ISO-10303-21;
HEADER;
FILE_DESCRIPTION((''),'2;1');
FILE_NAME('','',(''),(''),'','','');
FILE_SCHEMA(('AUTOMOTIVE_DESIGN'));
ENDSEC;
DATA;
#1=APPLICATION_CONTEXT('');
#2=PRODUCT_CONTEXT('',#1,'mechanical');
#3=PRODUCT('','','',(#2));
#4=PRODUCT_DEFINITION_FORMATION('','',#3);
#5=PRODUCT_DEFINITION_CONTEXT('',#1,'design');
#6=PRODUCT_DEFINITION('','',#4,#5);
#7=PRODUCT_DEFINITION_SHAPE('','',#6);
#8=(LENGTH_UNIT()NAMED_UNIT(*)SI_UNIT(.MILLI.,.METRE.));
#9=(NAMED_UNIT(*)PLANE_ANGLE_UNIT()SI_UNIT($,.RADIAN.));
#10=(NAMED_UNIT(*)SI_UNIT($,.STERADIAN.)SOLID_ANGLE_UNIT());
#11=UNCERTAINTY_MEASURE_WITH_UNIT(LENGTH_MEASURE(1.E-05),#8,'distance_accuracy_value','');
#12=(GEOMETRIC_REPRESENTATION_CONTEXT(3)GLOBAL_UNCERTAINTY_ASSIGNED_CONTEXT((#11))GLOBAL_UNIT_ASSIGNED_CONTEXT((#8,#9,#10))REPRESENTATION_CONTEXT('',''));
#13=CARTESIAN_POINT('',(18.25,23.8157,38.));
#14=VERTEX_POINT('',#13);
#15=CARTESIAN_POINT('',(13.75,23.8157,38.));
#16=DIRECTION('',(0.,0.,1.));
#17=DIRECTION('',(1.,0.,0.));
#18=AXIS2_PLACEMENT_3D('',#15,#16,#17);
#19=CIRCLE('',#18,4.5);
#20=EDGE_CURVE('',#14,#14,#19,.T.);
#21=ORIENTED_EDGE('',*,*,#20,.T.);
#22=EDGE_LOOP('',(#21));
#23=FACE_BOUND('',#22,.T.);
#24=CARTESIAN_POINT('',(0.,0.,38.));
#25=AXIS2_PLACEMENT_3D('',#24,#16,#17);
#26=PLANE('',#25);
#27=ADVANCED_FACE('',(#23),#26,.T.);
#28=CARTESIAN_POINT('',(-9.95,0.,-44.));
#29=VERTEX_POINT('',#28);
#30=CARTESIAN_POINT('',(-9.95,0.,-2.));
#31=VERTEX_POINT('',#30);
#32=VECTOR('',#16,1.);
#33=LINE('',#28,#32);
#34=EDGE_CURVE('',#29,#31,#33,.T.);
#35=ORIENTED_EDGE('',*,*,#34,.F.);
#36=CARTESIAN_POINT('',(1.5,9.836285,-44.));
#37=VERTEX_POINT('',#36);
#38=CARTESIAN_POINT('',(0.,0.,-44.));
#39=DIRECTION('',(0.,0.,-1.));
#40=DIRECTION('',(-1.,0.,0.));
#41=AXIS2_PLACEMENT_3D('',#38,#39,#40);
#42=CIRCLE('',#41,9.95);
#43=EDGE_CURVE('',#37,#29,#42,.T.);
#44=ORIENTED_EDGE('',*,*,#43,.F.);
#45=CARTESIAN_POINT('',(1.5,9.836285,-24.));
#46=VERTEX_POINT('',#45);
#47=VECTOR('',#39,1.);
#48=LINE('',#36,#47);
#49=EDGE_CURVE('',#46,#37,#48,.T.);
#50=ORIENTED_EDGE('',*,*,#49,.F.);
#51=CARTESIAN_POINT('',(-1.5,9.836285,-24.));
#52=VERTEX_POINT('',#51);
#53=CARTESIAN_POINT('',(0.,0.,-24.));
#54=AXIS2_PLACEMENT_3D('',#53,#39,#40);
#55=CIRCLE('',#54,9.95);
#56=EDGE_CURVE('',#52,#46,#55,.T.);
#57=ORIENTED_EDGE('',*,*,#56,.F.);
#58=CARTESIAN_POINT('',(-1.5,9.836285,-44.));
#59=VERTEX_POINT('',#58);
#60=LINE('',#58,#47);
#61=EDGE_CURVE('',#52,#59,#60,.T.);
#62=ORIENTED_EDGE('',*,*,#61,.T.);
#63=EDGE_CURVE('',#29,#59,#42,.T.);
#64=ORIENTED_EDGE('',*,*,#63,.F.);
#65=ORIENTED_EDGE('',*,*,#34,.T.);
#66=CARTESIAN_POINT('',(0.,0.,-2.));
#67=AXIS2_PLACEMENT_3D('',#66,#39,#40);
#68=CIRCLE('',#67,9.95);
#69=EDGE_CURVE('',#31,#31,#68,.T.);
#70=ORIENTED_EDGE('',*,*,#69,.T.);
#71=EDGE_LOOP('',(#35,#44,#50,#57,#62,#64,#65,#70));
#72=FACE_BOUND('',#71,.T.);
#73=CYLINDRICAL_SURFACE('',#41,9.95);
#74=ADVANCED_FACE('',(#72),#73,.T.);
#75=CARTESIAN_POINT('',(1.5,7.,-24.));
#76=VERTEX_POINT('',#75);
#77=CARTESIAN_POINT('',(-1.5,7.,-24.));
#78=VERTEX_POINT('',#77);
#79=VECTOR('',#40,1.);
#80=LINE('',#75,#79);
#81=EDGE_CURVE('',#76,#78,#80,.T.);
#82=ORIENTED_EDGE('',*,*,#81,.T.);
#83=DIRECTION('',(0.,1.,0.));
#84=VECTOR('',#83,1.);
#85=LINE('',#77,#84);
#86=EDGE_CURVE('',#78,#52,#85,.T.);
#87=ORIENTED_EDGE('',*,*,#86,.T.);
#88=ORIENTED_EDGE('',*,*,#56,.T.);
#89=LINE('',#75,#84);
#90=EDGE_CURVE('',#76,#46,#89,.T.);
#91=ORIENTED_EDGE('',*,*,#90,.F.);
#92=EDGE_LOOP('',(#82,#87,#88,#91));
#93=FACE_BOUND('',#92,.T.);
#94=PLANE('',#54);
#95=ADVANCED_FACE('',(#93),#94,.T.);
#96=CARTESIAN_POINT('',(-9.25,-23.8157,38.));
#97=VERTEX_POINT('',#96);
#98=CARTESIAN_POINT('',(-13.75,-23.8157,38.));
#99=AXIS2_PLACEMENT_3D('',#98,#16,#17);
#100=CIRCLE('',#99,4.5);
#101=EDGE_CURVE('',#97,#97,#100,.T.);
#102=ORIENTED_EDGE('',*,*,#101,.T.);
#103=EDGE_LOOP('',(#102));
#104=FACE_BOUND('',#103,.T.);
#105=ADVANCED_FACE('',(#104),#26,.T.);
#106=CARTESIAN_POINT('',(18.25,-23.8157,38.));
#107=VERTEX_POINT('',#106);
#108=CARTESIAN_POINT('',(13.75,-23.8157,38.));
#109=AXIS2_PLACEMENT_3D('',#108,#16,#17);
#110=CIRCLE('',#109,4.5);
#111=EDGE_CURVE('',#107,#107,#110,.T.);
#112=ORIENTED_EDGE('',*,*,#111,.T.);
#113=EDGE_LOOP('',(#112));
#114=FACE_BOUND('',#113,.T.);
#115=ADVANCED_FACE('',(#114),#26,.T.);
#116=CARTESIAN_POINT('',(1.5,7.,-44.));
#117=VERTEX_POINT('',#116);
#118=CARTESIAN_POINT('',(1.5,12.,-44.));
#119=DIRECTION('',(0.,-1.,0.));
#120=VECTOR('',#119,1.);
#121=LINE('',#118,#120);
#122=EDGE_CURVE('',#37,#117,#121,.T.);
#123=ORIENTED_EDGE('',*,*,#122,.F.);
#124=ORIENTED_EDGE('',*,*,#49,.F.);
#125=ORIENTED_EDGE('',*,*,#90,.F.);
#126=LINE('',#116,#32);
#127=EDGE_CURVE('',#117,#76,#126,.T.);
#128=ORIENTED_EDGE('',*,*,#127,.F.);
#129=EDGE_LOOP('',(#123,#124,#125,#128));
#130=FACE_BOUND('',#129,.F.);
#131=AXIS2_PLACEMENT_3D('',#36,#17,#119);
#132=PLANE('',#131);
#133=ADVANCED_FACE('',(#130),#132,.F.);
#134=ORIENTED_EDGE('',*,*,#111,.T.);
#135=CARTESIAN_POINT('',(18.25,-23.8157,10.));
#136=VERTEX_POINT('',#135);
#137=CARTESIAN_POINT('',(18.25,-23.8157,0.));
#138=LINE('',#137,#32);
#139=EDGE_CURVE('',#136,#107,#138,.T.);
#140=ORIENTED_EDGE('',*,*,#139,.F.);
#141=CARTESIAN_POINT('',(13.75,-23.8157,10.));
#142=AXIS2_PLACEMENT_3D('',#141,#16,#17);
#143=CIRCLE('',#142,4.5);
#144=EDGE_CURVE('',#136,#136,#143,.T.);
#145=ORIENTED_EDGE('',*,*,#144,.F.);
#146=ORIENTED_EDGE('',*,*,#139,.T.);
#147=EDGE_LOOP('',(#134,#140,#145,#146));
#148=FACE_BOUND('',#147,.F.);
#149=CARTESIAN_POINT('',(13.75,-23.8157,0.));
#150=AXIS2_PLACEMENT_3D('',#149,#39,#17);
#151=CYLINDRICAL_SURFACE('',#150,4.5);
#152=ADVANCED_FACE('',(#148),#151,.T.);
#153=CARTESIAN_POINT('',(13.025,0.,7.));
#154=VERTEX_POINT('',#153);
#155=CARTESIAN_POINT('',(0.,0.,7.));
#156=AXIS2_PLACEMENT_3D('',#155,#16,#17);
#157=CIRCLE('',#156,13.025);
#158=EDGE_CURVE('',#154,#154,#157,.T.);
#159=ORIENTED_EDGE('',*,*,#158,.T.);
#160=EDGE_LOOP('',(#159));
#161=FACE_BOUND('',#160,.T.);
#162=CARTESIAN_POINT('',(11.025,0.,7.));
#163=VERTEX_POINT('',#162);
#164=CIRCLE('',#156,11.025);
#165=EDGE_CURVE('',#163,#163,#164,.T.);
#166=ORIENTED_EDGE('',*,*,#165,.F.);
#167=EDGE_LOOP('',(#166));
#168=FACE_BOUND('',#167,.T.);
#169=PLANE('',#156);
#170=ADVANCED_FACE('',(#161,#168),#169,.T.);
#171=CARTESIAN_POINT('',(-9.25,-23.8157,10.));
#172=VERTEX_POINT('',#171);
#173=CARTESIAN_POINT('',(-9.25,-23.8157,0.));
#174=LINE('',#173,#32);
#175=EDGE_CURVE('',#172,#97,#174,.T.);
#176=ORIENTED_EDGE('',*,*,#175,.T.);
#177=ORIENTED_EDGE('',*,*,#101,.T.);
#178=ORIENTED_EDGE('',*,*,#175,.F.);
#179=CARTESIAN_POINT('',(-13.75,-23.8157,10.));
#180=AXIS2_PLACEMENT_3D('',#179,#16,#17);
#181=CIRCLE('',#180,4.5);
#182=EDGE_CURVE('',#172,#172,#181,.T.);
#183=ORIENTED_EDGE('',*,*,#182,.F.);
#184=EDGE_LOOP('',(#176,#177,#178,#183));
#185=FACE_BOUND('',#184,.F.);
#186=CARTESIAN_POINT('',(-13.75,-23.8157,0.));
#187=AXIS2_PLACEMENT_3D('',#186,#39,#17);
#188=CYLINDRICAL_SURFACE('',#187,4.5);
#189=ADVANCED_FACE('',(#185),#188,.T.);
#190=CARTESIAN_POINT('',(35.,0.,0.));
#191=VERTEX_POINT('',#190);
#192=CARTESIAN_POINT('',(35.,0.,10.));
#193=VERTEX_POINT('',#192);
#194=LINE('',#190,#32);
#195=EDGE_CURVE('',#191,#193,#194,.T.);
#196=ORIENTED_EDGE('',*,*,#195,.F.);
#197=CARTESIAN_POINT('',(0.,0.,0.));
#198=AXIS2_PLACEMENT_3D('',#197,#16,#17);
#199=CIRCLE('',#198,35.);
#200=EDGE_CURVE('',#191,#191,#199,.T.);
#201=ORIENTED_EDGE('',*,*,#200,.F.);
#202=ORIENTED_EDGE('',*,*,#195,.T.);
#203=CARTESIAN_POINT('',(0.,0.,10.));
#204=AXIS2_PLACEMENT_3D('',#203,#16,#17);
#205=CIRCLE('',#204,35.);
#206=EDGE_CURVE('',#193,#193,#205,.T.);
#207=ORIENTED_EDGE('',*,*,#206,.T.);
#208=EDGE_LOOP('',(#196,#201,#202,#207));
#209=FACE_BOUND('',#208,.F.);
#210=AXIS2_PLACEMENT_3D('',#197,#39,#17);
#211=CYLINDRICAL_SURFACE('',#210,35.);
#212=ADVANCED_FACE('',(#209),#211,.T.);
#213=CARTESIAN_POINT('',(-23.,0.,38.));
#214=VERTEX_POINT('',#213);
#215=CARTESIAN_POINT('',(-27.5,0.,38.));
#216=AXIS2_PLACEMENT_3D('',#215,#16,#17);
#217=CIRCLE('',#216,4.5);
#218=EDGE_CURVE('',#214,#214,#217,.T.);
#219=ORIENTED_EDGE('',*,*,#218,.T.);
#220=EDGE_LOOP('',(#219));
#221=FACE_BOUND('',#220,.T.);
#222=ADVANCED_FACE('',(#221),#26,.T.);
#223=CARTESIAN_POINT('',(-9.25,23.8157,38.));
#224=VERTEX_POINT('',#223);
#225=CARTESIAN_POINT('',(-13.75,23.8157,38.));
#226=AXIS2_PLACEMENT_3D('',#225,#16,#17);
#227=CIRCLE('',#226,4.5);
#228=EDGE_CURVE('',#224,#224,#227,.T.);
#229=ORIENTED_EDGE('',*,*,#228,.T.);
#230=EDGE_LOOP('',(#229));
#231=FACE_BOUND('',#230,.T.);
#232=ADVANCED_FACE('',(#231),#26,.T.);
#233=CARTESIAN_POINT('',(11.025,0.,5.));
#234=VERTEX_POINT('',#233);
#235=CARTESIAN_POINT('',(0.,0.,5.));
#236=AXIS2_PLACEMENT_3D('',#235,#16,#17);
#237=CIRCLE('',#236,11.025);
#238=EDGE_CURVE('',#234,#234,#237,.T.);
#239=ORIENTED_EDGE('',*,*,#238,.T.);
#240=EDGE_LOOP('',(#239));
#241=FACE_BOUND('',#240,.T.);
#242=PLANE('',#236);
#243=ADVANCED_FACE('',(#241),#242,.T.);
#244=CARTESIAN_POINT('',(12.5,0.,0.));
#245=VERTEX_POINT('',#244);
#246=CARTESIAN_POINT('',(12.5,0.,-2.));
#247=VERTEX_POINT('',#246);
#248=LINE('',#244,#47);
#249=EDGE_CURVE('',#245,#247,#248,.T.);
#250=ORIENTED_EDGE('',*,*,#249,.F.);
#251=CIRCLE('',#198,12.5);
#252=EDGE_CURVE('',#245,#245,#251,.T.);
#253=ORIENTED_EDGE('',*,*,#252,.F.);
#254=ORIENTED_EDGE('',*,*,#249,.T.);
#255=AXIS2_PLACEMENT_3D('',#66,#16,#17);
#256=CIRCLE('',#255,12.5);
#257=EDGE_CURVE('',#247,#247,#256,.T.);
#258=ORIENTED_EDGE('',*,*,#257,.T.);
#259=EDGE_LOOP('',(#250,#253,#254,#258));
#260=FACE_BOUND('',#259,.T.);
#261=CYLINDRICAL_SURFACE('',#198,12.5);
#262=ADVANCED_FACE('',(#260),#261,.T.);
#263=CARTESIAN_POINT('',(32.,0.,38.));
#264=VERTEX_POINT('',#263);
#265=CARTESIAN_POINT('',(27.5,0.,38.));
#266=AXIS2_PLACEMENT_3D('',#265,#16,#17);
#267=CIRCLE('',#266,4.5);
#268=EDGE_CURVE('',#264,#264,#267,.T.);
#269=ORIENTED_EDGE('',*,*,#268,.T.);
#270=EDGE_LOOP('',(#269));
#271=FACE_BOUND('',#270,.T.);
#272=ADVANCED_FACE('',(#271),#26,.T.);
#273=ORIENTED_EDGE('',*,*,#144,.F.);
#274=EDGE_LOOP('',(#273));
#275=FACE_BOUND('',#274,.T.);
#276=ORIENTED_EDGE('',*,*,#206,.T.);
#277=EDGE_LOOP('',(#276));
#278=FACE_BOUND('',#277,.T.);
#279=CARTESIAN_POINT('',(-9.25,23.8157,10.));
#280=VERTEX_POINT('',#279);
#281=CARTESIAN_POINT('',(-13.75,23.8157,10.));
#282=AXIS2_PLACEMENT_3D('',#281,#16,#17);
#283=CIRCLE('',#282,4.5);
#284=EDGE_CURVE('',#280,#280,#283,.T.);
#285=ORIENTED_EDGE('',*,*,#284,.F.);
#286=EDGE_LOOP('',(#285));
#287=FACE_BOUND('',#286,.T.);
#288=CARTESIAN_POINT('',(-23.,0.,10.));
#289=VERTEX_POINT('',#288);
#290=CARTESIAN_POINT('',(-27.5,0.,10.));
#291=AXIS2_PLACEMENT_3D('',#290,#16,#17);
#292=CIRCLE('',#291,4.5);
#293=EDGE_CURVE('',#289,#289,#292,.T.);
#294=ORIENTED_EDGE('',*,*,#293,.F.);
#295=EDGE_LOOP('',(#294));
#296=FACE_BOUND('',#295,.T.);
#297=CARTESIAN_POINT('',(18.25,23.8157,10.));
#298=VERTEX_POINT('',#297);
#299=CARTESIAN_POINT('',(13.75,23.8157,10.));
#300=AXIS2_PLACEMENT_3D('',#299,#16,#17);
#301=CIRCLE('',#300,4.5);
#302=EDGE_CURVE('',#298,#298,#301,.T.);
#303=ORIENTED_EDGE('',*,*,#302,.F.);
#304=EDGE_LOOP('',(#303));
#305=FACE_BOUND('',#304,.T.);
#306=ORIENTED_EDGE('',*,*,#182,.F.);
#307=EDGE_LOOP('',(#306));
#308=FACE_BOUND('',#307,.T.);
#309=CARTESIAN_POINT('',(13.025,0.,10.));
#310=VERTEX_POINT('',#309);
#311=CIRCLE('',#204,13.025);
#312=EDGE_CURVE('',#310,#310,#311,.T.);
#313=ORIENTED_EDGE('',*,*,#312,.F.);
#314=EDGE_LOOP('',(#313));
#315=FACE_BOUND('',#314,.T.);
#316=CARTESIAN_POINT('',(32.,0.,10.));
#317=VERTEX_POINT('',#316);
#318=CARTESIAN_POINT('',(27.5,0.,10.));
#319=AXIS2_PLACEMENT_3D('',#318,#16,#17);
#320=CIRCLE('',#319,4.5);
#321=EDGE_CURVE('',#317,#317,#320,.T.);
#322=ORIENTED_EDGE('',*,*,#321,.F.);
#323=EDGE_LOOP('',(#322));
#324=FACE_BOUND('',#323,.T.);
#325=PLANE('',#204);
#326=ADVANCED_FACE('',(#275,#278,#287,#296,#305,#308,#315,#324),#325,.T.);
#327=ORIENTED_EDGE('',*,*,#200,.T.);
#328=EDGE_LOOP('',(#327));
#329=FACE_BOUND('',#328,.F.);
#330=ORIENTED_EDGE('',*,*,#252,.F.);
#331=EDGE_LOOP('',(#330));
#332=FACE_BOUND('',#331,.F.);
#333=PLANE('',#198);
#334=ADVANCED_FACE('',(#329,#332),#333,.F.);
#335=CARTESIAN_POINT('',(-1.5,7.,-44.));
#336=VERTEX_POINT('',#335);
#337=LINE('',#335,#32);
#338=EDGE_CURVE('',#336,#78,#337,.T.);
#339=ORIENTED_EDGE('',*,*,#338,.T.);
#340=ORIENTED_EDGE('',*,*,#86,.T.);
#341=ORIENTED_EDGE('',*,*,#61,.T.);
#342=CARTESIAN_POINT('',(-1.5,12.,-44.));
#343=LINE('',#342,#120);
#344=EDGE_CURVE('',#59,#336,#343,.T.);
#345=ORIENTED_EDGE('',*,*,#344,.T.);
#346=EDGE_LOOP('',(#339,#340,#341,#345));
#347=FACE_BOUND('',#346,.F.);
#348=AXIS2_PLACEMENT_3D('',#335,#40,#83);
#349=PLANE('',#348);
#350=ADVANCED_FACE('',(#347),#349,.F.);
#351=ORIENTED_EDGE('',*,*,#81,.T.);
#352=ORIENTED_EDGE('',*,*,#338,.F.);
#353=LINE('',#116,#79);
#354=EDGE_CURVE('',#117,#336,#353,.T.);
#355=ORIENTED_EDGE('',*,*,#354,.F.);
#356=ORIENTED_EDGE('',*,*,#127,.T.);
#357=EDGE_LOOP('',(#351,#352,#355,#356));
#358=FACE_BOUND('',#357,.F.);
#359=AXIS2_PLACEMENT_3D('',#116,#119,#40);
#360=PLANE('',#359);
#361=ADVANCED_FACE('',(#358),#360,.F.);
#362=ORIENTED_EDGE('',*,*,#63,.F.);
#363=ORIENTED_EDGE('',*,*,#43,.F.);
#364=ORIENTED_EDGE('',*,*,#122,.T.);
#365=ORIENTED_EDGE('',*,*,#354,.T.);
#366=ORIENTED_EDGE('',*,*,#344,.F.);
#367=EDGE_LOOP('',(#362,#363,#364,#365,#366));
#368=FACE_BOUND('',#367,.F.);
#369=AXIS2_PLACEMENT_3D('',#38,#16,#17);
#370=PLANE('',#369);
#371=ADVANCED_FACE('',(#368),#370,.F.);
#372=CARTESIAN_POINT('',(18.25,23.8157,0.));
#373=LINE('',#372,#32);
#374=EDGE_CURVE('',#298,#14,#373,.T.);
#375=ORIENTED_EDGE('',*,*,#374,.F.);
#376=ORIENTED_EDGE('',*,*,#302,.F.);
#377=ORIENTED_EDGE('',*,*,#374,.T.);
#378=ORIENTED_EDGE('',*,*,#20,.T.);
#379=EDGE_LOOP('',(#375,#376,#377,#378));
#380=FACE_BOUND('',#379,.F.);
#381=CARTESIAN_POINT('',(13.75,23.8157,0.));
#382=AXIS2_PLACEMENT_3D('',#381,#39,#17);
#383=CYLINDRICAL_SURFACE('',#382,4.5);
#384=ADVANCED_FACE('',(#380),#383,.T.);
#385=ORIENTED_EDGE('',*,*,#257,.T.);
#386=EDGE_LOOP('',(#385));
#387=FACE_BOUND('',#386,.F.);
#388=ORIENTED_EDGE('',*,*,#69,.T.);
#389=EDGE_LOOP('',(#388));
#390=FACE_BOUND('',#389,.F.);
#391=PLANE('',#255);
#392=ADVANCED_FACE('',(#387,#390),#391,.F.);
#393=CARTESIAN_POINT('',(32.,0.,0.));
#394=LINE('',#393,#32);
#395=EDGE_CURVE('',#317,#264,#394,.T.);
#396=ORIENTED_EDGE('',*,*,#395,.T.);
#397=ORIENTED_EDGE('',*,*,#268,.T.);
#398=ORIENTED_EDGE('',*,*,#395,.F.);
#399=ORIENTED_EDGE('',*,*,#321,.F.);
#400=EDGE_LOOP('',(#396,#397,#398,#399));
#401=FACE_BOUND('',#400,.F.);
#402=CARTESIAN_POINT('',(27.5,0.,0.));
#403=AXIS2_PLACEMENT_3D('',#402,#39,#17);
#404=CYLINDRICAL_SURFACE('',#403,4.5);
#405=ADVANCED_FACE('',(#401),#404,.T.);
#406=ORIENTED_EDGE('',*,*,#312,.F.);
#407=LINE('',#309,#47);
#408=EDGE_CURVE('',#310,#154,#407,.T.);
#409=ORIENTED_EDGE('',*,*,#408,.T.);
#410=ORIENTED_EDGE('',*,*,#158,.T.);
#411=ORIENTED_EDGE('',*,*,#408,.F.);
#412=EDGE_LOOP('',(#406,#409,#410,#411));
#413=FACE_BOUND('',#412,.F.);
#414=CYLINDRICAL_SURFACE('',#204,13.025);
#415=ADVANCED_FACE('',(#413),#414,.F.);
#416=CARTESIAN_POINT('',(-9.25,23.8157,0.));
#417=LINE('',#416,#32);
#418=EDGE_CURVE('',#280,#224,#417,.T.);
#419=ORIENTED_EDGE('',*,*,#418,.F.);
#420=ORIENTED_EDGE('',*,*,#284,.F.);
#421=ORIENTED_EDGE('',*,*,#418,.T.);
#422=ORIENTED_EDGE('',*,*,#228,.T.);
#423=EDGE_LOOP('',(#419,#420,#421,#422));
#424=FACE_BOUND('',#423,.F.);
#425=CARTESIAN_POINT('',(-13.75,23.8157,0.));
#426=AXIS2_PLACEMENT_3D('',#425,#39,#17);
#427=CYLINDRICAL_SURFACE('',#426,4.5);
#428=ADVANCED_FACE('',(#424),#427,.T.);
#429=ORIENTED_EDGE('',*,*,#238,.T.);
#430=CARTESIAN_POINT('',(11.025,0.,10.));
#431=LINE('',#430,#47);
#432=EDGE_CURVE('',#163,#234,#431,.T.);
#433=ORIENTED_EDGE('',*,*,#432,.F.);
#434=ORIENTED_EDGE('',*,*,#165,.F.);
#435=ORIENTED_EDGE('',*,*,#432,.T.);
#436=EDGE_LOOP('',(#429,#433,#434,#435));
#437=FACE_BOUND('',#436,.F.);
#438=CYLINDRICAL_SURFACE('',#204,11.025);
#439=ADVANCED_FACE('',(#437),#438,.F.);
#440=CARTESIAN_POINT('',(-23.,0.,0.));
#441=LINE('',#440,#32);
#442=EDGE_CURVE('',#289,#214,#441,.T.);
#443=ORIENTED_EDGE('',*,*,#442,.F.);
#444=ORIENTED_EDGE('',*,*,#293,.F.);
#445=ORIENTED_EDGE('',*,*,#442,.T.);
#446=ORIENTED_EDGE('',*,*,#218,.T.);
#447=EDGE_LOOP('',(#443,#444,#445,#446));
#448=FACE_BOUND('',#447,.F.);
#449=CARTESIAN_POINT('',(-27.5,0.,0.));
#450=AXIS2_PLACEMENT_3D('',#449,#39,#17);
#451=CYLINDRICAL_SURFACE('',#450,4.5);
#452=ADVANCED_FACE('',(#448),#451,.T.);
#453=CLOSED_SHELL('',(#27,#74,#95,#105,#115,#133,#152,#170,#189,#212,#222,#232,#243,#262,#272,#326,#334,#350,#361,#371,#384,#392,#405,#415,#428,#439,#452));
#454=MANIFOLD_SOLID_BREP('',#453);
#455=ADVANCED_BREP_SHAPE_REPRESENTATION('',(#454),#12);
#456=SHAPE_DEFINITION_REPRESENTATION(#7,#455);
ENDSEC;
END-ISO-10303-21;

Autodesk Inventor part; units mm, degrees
ref_plane "YZ Plane" through (0, 0, 0) normal (1, 0, 0) x (0, 1, 0)
ref_plane "XZ Plane" through (0, 0, 0) normal (0, 1, 0) x (-1, 0, 0)
ref_plane "XY Plane" through (0, 0, 0) normal (0, 0, 1) x (1, 0, 0)
sketch "Sketch1" plane through (0, 0, 0) normal (0, 0, 1) x (1, 0, 0)
  circle A0 centre (0, 0) radius 27.5 construction
  circle A1 centre (27.5, 0) radius 4.5
  circle A2 centre (13.75, 23.8157) radius 4.5
  circle A3 centre (-13.75, 23.8157) radius 4.5
  circle A4 centre (-27.5, 0) radius 4.5
  circle A5 centre (-13.75, -23.8157) radius 4.5
  circle A6 centre (13.75, -23.8157) radius 4.5
  circle A7 centre (0, 0) radius 35
  circle A8 centre (0, 0) radius 10
  circle A9 centre (0, 0) radius 12.5
  dimension "d0" = 55
  dimension "d1" = 9
  dimension "d4" = 360
  dimension "d6" = 70
  dimension "d11" = 20
  dimension "d19" = 2.5
extrude "Extrusion1" add sketch "Sketch1" along normal blind 10 contours A7 | A9
extrude "Extrusion2" add sketch "Sketch1" along normal blind 38 contours A1 | A2 | A3 | A4 | A5 | A6
sketch "Sketch3" plane through (0, 0, 10) normal (0, 0, 1) x (1, 0, 0)
  circle A0 centre (0, 0) radius 10
  circle A1 centre (0, 0) radius 13.025
  circle A2 centre (0, 0) radius 11.025
  dimension "d16" = 20
  dimension "d24" = 26.05
  dimension "d27" = 2
extrude "Extrusion4" add sketch "Sketch3" against normal blind 54 contours A0
extrude "Extrusion5" add sketch "Sketch1" against normal blind 2 contours A9
extrude "Extrusion7" cut sketch "Sketch3" against normal blind 5 contours A0 | A2
extrude "Extrusion8" cut sketch "Sketch3" against normal blind 3 contours A1
sketch "Sketch5" plane through (0, 0, -44) normal (0, 0, -1) x (-1, 0, 0)
  circle A0 centre (0, 0) radius 10 projected
  circle A1 centre (0, 0) radius 9.95
  dimension "d30" = 0.05
extrude "Extrusion9" cut sketch "Sketch5" against normal up to surface (42 mm away)
sketch "Sketch6" plane through (0, 0, -44) normal (0, 0, -1) x (-1, 0, 0)
  circle A0 centre (0, 0) radius 9.95 projected
  line L0 (-1.5, 7) -> (1.5, 7)
  line L1 (1.5, 7) -> (1.5, 12)
  line L2 (1.5, 12) -> (-1.5, 12)
  line L3 (-1.5, 12) -> (-1.5, 7)
  dimension "d35" = 1.5
  dimension "d36" = 1.5
  dimension "d38" = 7
extrude "Extrusion10" cut sketch "Sketch6" against normal blind 20 contours L1 L0 L3 A0 | A0 L3 L2 L1 picked at (0.1672, 7.9791)
properties part number "Output Shaft"
